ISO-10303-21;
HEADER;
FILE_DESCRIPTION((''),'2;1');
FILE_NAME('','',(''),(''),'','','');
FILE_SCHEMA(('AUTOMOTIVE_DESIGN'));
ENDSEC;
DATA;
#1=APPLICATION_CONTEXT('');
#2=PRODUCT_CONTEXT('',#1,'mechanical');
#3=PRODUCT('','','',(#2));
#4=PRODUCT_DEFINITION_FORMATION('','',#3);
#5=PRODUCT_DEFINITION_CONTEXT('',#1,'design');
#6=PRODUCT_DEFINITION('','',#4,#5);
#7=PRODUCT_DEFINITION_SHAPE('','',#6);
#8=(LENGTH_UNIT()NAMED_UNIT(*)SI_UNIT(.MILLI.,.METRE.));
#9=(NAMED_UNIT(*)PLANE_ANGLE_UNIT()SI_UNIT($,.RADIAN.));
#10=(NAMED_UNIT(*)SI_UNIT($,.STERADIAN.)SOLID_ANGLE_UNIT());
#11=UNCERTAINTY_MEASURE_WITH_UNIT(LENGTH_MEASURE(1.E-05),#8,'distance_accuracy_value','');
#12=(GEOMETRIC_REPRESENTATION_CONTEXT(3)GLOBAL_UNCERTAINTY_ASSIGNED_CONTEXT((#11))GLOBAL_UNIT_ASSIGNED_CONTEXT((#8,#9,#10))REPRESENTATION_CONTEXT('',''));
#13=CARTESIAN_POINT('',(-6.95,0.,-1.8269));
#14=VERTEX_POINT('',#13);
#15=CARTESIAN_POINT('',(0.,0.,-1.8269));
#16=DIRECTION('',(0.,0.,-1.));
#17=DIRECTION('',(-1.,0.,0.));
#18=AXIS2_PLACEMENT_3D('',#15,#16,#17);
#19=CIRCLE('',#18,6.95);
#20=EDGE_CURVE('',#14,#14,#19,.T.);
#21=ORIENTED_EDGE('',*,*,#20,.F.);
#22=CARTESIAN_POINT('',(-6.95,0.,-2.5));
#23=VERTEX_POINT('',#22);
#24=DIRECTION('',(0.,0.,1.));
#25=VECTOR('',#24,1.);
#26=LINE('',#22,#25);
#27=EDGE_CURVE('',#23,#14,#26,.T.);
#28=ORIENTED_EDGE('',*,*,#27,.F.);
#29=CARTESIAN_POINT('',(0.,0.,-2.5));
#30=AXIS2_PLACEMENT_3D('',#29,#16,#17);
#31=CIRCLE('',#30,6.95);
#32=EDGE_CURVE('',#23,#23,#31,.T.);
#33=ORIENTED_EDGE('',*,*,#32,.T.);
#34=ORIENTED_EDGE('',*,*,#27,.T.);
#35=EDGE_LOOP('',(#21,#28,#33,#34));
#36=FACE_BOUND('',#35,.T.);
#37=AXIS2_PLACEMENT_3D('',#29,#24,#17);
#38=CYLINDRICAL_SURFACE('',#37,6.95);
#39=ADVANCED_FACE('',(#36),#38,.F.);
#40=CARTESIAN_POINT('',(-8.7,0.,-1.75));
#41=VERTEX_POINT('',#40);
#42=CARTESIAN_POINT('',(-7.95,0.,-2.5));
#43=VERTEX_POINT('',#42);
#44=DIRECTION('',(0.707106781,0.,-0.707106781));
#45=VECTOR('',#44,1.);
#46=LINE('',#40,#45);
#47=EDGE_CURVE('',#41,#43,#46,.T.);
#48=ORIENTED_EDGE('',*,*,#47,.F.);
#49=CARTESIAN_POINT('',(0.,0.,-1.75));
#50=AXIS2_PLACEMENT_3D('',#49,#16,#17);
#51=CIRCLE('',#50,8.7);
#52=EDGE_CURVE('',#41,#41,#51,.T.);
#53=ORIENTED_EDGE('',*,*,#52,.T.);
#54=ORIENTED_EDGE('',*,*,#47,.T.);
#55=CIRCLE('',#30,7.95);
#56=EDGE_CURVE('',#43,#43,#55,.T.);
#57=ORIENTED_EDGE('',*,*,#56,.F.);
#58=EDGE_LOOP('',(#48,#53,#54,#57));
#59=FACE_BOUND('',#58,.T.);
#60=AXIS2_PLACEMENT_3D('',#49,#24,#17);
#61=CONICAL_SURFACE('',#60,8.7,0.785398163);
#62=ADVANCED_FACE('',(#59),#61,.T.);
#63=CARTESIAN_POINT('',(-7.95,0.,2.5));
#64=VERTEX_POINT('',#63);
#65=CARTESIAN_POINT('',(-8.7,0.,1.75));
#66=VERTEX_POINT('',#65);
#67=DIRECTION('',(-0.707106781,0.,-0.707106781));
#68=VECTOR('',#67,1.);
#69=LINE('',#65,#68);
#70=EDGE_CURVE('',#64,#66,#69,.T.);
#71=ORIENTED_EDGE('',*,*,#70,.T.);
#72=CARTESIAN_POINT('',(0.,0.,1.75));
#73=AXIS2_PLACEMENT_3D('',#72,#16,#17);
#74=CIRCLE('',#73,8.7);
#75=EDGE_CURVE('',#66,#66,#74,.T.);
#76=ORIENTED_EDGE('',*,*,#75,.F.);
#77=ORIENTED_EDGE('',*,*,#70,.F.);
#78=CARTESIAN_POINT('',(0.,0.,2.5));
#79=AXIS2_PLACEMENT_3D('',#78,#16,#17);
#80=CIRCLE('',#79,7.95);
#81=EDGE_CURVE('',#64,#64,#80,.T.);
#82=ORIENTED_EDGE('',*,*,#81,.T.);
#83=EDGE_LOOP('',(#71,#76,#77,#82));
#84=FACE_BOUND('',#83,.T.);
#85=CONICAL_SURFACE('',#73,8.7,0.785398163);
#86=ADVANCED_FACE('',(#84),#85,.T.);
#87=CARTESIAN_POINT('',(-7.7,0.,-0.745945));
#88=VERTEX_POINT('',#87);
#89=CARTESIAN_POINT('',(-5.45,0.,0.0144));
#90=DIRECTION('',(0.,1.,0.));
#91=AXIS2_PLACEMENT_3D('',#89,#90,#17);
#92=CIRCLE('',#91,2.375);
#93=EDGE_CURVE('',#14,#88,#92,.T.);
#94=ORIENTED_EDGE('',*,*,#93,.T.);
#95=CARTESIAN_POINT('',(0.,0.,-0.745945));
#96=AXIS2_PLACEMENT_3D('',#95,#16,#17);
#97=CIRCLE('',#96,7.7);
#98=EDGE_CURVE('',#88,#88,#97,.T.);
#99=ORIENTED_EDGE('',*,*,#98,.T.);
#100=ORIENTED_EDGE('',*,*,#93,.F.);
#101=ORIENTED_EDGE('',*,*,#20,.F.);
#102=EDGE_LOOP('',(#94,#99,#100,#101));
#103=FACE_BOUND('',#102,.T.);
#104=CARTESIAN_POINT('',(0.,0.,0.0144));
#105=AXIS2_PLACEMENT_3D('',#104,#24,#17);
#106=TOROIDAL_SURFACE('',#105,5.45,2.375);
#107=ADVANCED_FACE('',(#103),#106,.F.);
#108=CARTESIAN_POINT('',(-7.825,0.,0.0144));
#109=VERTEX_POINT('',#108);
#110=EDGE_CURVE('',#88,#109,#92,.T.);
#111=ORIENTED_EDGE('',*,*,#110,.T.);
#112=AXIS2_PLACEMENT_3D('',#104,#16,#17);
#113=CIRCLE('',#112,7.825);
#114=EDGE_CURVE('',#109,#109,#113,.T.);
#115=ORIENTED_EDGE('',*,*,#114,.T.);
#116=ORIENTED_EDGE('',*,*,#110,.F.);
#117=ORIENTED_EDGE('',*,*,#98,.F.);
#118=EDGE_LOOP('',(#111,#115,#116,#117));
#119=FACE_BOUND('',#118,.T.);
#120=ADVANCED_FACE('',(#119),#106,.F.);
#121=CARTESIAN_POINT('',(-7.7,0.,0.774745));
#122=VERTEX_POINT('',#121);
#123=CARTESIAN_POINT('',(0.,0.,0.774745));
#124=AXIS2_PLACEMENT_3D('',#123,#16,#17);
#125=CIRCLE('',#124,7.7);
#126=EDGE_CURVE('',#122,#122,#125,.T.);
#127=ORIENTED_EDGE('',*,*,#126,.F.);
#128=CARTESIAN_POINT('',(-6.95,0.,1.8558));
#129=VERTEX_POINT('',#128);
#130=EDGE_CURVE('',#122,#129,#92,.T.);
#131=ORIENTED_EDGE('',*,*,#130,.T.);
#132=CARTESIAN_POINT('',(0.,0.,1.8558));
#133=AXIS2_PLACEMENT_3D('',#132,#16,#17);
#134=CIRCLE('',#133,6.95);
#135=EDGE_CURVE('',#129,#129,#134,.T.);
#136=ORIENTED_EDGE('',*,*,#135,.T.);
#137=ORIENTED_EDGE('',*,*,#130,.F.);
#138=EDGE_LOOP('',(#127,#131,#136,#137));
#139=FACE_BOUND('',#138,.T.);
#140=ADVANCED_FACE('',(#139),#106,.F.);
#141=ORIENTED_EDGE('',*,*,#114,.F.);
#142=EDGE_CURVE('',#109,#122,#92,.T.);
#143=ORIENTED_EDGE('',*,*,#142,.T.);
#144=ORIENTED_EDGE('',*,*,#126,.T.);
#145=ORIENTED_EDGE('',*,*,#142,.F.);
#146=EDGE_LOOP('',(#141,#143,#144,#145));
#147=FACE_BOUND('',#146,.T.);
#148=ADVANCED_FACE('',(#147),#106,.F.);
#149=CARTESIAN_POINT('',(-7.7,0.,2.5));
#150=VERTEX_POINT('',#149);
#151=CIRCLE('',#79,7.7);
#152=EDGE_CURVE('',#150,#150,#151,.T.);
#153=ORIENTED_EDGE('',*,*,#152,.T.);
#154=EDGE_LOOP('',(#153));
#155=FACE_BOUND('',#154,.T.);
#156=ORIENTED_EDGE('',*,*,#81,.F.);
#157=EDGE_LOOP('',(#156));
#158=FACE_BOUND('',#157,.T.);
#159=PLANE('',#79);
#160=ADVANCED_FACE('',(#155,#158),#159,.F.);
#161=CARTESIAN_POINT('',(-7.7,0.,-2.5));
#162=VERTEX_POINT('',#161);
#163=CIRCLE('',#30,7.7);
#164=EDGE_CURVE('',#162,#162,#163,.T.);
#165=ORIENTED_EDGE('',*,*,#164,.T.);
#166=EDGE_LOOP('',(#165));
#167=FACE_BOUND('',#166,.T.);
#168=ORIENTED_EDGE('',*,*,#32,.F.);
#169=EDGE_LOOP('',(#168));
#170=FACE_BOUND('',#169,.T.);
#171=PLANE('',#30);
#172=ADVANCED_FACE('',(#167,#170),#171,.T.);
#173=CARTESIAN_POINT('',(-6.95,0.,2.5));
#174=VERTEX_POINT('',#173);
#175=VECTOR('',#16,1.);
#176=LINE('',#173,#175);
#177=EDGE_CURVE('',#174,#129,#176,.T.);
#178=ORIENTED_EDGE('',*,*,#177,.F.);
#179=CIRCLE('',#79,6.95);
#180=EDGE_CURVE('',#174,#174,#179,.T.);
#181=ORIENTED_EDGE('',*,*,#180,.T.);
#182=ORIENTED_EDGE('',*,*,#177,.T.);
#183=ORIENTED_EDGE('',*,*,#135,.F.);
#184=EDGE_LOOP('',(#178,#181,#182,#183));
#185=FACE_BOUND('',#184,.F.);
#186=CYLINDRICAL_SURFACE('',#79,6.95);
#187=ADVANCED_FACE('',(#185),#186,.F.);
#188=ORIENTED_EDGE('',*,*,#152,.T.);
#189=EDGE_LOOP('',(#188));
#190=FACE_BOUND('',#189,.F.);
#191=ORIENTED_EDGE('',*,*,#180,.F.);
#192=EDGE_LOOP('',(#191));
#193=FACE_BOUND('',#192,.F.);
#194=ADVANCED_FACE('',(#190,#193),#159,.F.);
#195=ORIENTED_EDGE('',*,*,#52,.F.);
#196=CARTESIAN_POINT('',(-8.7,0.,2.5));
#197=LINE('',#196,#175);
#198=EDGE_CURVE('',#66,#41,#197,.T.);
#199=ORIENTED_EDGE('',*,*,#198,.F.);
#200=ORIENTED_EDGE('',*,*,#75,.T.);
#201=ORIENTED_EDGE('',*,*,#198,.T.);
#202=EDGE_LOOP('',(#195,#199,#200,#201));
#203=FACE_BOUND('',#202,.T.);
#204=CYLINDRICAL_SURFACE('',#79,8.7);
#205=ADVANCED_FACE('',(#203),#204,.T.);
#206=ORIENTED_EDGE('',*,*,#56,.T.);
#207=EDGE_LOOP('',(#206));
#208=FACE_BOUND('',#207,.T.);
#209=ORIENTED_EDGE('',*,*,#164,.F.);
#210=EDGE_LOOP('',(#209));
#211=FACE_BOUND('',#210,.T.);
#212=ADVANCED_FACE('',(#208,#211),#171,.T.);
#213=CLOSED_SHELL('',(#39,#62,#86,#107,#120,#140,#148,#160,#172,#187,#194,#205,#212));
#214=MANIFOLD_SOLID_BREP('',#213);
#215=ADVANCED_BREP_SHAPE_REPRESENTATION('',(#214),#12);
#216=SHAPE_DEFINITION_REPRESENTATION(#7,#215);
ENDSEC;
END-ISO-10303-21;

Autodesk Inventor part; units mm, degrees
ref_plane "YZ Plane" through (0, 0, 0) normal (1, 0, 0) x (0, 1, 0)
ref_plane "XZ Plane" through (0, 0, 0) normal (0, 1, 0) x (-1, 0, 0)
ref_plane "XY Plane" through (0, 0, 0) normal (0, 0, 1) x (1, 0, 0)
sketch "Sketch1" plane through (0, 0, 0) normal (0, 1, 0) x (-1, 0, 0)
  line L0 (-3.2, 2.5) -> (3.2, 2.5)
  line L1 (3.2, -2.5) -> (-3.2, -2.5)
  line L2 (-3.2, -2.5) -> (-3.2, 2.5)
  line L3 (-3.2, 2.5) -> (3.2, -2.5) construction
  line L4 (3.2, 2.5) -> (-3.2, -2.5) construction
  circle A0 centre (5.45, 0.0144) radius 2.375
  line L5 (7.7, 2.5) -> (7.7, -2.5)
  line L6 (7.7, -2.5) -> (6.95, -2.5)
  line L7 (6.95, -2.5) -> (6.95, -1.8269)
  line L8 (7.7, 2.5) -> (6.95, 2.5)
  line L9 (6.95, 2.5) -> (6.95, 1.8558)
  line L10 (7.7, 2.5) -> (8.7, 2.5)
  line L11 (8.7, 2.5) -> (8.7, -2.5)
  line L12 (8.7, -2.5) -> (7.7, -2.5)
  line L13 (7.7, -2.5) -> (7.7, 2.5)
  line L14 (0, 2.5) -> (0, -2.5)
  line L15 (3.2, -2.5) -> (3.2, 2.5)
  point P0 (0, 0)
  dimension "d1" = 6.4
  dimension "d2" = 5
  dimension "d3" = 4.75
  dimension "d4" = 2.25
  dimension "d5" = 0.75
  dimension "d6" = 1
  dimension "d11" = 2.25
revolve "Revolution1" add sketch "Sketch1" angle 360 about axis through (0, 0, 2.5) along (0, 0, -1) contours L9 L8 L5 A0 | L5 L10 L11 L12 A0 | A0 L5 L6 L7
chamfer "Chamfer1" distance 0.75 angle 45 2 edges at (8.7, 0, -2.5) (8.7, 0, 2.5)
properties part number "5mm Bearing Outside_3DPrint"
